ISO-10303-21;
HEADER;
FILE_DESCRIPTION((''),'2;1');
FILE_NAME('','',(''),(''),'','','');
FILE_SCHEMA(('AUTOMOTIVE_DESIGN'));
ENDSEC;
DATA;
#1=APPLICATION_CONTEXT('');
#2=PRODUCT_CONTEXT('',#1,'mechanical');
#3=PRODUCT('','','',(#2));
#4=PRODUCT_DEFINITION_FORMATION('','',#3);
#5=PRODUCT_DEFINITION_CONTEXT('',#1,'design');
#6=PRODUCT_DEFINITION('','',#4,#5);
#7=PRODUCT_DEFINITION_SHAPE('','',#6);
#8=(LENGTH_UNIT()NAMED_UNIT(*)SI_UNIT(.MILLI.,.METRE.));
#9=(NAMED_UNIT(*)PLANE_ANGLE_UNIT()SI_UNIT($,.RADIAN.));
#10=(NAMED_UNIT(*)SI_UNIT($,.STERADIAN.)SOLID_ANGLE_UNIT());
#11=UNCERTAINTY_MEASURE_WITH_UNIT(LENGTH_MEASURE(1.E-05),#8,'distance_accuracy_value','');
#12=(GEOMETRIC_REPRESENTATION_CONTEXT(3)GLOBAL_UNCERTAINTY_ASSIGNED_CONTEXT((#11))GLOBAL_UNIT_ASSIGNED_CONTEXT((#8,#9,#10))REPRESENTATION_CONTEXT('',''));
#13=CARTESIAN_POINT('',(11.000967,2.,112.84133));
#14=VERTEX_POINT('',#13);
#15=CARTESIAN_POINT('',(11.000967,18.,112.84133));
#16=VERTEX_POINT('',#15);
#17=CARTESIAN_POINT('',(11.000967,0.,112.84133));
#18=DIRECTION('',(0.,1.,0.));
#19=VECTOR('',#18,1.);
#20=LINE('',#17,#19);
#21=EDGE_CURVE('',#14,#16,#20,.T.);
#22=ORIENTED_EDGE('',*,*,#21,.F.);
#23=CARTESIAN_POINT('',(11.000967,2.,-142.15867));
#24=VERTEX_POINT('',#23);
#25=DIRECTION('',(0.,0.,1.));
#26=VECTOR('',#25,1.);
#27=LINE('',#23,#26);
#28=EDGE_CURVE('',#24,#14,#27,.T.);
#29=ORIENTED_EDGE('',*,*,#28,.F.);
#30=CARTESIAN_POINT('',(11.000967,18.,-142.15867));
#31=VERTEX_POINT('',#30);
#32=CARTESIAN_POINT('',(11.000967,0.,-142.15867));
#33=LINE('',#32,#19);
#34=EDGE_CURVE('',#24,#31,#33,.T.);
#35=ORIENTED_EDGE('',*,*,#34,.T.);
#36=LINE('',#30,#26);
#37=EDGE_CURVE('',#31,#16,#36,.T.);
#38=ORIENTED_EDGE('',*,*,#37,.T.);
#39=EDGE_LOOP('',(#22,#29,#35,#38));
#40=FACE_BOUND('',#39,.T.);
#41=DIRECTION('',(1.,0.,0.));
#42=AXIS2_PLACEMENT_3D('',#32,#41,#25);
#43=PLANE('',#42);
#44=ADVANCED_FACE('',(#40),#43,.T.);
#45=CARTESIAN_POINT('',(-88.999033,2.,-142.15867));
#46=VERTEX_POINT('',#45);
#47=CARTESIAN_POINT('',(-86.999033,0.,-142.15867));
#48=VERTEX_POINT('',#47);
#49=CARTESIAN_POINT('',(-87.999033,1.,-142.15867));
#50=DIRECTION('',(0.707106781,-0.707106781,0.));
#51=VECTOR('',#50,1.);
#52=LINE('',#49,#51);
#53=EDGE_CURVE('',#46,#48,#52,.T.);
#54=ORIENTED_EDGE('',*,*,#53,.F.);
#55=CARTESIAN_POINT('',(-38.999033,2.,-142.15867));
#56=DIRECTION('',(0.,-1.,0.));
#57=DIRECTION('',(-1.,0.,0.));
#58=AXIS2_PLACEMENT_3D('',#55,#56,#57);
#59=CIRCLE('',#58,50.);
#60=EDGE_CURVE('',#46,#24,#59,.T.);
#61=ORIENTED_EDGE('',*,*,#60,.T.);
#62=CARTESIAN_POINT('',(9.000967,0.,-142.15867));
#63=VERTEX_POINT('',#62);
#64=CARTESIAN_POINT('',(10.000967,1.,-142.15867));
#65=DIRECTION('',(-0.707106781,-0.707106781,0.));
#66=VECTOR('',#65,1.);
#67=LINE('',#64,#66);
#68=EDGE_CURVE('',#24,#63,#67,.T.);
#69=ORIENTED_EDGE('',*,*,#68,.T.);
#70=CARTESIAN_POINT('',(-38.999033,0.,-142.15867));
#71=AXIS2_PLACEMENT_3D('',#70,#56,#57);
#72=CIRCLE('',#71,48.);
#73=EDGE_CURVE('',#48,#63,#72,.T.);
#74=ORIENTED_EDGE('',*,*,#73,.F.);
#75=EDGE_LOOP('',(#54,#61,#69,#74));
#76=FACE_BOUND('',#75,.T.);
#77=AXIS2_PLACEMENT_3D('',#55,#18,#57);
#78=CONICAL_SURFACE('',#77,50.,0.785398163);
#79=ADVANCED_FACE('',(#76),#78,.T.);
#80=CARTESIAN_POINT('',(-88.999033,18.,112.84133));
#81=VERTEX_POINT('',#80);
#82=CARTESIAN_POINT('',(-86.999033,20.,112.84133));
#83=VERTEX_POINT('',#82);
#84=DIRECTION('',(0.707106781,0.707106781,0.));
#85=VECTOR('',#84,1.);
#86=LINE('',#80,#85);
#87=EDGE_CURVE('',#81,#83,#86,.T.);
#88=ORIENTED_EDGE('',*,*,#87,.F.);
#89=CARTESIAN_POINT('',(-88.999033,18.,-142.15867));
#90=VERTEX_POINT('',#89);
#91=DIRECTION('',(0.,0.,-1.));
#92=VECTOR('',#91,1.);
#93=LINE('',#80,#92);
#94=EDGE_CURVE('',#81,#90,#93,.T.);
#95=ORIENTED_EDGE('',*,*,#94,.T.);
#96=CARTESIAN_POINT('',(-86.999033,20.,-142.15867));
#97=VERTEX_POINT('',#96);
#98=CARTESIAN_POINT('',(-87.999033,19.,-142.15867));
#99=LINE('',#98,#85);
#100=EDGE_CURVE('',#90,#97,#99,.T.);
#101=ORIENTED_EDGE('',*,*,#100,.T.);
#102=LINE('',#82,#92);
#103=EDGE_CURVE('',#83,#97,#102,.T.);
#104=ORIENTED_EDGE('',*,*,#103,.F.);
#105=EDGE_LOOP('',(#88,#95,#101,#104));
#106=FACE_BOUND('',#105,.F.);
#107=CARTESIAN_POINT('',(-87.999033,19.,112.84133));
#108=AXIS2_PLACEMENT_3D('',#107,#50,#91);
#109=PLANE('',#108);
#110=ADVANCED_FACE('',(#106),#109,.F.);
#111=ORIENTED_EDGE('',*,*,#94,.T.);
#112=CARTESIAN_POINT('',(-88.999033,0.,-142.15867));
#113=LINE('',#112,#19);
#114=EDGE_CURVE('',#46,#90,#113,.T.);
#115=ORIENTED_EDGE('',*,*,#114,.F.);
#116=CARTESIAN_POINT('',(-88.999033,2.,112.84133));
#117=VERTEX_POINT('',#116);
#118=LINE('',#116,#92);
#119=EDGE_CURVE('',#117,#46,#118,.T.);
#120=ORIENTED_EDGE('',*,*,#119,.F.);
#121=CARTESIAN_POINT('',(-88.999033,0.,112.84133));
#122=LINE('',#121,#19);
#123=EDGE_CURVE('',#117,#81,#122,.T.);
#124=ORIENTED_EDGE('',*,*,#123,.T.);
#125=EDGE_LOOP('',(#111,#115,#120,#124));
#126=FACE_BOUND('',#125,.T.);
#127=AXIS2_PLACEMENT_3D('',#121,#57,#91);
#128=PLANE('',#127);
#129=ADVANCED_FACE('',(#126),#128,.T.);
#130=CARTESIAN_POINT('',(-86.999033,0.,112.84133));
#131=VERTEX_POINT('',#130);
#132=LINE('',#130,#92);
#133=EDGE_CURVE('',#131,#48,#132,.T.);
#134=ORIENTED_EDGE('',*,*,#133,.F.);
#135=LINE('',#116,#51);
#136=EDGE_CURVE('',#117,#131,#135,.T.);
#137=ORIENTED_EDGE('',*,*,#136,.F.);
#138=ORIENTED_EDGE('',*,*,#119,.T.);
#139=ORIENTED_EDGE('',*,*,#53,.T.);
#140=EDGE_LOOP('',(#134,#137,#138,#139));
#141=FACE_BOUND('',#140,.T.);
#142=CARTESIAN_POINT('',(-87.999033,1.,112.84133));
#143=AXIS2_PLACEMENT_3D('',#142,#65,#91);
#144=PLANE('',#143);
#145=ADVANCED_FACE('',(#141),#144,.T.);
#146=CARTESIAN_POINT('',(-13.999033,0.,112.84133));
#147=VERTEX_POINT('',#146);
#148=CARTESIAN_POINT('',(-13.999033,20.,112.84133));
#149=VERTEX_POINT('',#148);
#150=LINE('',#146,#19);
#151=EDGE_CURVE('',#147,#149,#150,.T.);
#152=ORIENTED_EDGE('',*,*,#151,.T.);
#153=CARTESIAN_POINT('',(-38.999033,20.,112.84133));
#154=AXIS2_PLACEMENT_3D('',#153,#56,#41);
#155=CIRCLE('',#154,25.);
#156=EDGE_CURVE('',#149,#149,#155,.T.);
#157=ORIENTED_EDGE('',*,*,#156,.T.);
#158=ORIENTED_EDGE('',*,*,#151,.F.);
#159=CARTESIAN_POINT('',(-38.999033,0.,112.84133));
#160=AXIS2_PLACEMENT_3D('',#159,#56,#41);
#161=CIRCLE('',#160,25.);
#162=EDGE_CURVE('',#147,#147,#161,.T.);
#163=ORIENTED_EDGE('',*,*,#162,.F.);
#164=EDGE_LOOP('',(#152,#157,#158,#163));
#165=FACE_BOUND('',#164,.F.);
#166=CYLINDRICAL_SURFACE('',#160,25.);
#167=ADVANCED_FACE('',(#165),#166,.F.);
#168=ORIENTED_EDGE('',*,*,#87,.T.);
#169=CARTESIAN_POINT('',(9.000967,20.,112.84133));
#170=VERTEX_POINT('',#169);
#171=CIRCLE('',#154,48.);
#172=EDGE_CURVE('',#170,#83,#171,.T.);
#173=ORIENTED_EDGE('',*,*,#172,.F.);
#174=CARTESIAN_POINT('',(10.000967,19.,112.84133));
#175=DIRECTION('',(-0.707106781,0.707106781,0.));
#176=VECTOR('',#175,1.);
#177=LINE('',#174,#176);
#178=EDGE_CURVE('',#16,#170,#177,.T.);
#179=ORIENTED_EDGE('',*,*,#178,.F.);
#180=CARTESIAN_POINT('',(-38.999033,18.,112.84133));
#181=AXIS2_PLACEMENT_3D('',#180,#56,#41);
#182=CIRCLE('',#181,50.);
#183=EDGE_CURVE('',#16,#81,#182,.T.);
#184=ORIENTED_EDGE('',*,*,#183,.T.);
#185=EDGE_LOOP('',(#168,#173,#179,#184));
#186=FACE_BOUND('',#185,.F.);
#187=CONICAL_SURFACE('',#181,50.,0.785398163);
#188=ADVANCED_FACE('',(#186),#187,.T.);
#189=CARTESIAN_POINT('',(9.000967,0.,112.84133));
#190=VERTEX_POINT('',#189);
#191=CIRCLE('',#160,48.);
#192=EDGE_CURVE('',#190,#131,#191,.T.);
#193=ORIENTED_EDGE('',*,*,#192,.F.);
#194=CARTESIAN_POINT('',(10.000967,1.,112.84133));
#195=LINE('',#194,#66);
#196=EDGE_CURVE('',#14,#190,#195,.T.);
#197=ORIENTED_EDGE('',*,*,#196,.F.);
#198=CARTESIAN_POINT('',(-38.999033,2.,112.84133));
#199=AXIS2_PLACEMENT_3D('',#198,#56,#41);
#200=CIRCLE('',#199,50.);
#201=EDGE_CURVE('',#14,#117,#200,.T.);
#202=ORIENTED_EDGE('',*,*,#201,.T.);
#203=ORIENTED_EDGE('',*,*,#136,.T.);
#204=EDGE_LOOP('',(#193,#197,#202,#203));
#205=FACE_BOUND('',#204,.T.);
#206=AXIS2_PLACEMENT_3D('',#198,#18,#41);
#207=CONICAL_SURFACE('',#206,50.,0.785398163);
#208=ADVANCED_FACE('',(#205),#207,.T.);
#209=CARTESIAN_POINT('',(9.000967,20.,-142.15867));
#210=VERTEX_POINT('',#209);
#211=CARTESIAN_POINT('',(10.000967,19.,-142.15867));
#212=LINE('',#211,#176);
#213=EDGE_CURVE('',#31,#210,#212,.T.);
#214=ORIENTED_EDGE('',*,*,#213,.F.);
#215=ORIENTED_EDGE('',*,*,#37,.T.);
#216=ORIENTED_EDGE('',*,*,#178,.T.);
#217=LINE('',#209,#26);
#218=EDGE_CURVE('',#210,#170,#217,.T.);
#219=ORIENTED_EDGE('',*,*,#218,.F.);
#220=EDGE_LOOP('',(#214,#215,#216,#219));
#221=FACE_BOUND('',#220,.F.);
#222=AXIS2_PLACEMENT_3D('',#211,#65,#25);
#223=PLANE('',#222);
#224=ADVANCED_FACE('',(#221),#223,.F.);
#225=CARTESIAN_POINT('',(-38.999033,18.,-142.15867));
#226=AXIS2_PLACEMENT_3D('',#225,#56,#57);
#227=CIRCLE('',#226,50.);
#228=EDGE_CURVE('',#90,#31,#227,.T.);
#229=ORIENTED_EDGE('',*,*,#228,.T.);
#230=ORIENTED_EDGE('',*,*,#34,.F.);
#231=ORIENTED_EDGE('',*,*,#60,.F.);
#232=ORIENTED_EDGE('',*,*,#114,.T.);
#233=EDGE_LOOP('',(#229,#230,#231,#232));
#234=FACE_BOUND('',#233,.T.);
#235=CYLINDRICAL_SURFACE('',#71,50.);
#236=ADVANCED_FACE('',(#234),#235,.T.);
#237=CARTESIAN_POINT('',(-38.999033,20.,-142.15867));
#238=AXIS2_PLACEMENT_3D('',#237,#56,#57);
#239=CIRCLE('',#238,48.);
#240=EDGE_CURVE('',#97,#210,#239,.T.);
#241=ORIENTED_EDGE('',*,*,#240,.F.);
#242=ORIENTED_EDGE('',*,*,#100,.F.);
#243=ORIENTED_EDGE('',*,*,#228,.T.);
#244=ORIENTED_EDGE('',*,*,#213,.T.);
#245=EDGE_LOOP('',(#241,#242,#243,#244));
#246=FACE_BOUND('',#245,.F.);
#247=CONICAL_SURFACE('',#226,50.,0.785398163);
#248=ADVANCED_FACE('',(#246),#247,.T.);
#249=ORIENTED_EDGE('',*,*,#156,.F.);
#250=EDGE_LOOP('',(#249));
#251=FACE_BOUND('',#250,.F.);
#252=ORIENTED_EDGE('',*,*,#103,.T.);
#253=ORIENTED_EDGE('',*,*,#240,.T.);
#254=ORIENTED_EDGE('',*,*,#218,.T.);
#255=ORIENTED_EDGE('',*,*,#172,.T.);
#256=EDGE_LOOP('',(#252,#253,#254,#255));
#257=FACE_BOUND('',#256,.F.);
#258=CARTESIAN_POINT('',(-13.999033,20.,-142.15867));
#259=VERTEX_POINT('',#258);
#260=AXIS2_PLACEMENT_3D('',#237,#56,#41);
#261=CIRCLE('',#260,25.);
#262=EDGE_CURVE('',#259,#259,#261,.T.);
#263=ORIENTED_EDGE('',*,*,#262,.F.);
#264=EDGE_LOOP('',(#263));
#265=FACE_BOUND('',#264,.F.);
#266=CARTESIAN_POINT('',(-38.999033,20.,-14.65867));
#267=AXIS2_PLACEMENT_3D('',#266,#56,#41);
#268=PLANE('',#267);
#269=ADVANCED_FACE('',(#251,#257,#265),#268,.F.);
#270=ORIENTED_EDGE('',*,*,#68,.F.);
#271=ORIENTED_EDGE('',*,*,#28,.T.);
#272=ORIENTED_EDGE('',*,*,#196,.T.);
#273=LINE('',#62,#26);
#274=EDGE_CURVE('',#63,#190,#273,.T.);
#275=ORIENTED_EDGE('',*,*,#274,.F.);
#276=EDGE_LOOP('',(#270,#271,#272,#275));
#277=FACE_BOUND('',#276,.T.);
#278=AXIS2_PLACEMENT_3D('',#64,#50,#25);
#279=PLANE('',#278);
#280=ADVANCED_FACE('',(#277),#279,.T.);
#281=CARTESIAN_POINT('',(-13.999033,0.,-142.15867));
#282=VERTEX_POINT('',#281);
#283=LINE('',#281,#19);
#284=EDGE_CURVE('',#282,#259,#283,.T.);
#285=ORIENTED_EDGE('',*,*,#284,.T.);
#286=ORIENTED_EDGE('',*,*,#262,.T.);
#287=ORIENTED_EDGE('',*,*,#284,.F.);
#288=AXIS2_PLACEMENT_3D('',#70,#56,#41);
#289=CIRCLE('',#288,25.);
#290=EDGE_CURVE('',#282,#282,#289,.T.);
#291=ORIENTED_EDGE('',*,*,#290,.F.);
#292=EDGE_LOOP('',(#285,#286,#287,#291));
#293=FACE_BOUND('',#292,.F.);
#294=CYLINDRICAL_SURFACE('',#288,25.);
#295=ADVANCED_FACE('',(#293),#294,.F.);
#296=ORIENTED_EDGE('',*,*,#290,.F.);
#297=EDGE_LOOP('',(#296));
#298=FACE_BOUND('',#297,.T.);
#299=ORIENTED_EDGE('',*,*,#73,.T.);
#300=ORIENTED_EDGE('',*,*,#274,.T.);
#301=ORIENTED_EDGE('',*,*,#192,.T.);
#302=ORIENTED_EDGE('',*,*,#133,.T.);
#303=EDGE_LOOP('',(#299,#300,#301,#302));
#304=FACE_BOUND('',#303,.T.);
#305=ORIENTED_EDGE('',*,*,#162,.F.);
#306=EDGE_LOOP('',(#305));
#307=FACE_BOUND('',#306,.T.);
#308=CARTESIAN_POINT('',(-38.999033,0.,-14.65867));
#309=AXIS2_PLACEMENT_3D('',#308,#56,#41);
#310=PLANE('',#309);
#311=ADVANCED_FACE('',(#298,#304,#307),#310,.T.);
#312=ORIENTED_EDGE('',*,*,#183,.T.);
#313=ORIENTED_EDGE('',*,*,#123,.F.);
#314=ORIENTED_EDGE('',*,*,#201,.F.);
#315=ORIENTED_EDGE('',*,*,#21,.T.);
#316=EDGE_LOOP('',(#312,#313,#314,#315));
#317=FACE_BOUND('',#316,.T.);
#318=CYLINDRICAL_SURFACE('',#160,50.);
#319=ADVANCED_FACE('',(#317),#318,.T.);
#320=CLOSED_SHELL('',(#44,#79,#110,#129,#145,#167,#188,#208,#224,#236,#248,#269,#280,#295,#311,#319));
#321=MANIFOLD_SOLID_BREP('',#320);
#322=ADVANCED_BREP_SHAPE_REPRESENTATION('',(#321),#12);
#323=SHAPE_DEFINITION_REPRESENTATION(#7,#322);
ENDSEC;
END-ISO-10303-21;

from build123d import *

# Parameters (mm, degrees)
F0_R     = 25
F1_DEPTH = 20
F2_SIZE2 = 2
F2_SIZE  = 2


with BuildPart() as f1:
    # F0 (on Front) → F1 (new body)
    with BuildSketch(Plane.XZ):
        with BuildLine():
            ThreePointArc((11.000967, 112.84133), (-38.999033, 162.84133), (-88.999033, 112.84133))
            Line((-88.999033, 112.84133), (-88.999033, -142.15867))
            ThreePointArc((-88.999033, -142.15867), (-38.999033, -192.15867), (11.000967, -142.15867))
            Line((11.000967, -142.15867), (11.000967, 112.84133))
        make_face()
        with Locations((-38.999033, -142.15867)):
            Circle(F0_R, mode=Mode.SUBTRACT)
        with Locations((-38.999033, 112.84133)):
            Circle(F0_R, mode=Mode.SUBTRACT)
    extrude(amount=-F1_DEPTH)

    # F2
    f2_edges = [f1.edges().sort_by_distance(p)[0] for p in [
        (11.000967, 0, -14.65867),
        (11.000967, 20, -14.65867),
        (-38.999033, 20, 162.84133),
        (-38.999033, 0, 162.84133),
        (-88.999033, 20, -14.65867),
        (-38.999033, 20, -192.15867),
        (-38.999033, 0, -192.15867),
        (-88.999033, 0, -14.65867),
    ]]
    chamfer(f2_edges, length=F2_SIZE, length2=F2_SIZE2)


solid = f1.part
